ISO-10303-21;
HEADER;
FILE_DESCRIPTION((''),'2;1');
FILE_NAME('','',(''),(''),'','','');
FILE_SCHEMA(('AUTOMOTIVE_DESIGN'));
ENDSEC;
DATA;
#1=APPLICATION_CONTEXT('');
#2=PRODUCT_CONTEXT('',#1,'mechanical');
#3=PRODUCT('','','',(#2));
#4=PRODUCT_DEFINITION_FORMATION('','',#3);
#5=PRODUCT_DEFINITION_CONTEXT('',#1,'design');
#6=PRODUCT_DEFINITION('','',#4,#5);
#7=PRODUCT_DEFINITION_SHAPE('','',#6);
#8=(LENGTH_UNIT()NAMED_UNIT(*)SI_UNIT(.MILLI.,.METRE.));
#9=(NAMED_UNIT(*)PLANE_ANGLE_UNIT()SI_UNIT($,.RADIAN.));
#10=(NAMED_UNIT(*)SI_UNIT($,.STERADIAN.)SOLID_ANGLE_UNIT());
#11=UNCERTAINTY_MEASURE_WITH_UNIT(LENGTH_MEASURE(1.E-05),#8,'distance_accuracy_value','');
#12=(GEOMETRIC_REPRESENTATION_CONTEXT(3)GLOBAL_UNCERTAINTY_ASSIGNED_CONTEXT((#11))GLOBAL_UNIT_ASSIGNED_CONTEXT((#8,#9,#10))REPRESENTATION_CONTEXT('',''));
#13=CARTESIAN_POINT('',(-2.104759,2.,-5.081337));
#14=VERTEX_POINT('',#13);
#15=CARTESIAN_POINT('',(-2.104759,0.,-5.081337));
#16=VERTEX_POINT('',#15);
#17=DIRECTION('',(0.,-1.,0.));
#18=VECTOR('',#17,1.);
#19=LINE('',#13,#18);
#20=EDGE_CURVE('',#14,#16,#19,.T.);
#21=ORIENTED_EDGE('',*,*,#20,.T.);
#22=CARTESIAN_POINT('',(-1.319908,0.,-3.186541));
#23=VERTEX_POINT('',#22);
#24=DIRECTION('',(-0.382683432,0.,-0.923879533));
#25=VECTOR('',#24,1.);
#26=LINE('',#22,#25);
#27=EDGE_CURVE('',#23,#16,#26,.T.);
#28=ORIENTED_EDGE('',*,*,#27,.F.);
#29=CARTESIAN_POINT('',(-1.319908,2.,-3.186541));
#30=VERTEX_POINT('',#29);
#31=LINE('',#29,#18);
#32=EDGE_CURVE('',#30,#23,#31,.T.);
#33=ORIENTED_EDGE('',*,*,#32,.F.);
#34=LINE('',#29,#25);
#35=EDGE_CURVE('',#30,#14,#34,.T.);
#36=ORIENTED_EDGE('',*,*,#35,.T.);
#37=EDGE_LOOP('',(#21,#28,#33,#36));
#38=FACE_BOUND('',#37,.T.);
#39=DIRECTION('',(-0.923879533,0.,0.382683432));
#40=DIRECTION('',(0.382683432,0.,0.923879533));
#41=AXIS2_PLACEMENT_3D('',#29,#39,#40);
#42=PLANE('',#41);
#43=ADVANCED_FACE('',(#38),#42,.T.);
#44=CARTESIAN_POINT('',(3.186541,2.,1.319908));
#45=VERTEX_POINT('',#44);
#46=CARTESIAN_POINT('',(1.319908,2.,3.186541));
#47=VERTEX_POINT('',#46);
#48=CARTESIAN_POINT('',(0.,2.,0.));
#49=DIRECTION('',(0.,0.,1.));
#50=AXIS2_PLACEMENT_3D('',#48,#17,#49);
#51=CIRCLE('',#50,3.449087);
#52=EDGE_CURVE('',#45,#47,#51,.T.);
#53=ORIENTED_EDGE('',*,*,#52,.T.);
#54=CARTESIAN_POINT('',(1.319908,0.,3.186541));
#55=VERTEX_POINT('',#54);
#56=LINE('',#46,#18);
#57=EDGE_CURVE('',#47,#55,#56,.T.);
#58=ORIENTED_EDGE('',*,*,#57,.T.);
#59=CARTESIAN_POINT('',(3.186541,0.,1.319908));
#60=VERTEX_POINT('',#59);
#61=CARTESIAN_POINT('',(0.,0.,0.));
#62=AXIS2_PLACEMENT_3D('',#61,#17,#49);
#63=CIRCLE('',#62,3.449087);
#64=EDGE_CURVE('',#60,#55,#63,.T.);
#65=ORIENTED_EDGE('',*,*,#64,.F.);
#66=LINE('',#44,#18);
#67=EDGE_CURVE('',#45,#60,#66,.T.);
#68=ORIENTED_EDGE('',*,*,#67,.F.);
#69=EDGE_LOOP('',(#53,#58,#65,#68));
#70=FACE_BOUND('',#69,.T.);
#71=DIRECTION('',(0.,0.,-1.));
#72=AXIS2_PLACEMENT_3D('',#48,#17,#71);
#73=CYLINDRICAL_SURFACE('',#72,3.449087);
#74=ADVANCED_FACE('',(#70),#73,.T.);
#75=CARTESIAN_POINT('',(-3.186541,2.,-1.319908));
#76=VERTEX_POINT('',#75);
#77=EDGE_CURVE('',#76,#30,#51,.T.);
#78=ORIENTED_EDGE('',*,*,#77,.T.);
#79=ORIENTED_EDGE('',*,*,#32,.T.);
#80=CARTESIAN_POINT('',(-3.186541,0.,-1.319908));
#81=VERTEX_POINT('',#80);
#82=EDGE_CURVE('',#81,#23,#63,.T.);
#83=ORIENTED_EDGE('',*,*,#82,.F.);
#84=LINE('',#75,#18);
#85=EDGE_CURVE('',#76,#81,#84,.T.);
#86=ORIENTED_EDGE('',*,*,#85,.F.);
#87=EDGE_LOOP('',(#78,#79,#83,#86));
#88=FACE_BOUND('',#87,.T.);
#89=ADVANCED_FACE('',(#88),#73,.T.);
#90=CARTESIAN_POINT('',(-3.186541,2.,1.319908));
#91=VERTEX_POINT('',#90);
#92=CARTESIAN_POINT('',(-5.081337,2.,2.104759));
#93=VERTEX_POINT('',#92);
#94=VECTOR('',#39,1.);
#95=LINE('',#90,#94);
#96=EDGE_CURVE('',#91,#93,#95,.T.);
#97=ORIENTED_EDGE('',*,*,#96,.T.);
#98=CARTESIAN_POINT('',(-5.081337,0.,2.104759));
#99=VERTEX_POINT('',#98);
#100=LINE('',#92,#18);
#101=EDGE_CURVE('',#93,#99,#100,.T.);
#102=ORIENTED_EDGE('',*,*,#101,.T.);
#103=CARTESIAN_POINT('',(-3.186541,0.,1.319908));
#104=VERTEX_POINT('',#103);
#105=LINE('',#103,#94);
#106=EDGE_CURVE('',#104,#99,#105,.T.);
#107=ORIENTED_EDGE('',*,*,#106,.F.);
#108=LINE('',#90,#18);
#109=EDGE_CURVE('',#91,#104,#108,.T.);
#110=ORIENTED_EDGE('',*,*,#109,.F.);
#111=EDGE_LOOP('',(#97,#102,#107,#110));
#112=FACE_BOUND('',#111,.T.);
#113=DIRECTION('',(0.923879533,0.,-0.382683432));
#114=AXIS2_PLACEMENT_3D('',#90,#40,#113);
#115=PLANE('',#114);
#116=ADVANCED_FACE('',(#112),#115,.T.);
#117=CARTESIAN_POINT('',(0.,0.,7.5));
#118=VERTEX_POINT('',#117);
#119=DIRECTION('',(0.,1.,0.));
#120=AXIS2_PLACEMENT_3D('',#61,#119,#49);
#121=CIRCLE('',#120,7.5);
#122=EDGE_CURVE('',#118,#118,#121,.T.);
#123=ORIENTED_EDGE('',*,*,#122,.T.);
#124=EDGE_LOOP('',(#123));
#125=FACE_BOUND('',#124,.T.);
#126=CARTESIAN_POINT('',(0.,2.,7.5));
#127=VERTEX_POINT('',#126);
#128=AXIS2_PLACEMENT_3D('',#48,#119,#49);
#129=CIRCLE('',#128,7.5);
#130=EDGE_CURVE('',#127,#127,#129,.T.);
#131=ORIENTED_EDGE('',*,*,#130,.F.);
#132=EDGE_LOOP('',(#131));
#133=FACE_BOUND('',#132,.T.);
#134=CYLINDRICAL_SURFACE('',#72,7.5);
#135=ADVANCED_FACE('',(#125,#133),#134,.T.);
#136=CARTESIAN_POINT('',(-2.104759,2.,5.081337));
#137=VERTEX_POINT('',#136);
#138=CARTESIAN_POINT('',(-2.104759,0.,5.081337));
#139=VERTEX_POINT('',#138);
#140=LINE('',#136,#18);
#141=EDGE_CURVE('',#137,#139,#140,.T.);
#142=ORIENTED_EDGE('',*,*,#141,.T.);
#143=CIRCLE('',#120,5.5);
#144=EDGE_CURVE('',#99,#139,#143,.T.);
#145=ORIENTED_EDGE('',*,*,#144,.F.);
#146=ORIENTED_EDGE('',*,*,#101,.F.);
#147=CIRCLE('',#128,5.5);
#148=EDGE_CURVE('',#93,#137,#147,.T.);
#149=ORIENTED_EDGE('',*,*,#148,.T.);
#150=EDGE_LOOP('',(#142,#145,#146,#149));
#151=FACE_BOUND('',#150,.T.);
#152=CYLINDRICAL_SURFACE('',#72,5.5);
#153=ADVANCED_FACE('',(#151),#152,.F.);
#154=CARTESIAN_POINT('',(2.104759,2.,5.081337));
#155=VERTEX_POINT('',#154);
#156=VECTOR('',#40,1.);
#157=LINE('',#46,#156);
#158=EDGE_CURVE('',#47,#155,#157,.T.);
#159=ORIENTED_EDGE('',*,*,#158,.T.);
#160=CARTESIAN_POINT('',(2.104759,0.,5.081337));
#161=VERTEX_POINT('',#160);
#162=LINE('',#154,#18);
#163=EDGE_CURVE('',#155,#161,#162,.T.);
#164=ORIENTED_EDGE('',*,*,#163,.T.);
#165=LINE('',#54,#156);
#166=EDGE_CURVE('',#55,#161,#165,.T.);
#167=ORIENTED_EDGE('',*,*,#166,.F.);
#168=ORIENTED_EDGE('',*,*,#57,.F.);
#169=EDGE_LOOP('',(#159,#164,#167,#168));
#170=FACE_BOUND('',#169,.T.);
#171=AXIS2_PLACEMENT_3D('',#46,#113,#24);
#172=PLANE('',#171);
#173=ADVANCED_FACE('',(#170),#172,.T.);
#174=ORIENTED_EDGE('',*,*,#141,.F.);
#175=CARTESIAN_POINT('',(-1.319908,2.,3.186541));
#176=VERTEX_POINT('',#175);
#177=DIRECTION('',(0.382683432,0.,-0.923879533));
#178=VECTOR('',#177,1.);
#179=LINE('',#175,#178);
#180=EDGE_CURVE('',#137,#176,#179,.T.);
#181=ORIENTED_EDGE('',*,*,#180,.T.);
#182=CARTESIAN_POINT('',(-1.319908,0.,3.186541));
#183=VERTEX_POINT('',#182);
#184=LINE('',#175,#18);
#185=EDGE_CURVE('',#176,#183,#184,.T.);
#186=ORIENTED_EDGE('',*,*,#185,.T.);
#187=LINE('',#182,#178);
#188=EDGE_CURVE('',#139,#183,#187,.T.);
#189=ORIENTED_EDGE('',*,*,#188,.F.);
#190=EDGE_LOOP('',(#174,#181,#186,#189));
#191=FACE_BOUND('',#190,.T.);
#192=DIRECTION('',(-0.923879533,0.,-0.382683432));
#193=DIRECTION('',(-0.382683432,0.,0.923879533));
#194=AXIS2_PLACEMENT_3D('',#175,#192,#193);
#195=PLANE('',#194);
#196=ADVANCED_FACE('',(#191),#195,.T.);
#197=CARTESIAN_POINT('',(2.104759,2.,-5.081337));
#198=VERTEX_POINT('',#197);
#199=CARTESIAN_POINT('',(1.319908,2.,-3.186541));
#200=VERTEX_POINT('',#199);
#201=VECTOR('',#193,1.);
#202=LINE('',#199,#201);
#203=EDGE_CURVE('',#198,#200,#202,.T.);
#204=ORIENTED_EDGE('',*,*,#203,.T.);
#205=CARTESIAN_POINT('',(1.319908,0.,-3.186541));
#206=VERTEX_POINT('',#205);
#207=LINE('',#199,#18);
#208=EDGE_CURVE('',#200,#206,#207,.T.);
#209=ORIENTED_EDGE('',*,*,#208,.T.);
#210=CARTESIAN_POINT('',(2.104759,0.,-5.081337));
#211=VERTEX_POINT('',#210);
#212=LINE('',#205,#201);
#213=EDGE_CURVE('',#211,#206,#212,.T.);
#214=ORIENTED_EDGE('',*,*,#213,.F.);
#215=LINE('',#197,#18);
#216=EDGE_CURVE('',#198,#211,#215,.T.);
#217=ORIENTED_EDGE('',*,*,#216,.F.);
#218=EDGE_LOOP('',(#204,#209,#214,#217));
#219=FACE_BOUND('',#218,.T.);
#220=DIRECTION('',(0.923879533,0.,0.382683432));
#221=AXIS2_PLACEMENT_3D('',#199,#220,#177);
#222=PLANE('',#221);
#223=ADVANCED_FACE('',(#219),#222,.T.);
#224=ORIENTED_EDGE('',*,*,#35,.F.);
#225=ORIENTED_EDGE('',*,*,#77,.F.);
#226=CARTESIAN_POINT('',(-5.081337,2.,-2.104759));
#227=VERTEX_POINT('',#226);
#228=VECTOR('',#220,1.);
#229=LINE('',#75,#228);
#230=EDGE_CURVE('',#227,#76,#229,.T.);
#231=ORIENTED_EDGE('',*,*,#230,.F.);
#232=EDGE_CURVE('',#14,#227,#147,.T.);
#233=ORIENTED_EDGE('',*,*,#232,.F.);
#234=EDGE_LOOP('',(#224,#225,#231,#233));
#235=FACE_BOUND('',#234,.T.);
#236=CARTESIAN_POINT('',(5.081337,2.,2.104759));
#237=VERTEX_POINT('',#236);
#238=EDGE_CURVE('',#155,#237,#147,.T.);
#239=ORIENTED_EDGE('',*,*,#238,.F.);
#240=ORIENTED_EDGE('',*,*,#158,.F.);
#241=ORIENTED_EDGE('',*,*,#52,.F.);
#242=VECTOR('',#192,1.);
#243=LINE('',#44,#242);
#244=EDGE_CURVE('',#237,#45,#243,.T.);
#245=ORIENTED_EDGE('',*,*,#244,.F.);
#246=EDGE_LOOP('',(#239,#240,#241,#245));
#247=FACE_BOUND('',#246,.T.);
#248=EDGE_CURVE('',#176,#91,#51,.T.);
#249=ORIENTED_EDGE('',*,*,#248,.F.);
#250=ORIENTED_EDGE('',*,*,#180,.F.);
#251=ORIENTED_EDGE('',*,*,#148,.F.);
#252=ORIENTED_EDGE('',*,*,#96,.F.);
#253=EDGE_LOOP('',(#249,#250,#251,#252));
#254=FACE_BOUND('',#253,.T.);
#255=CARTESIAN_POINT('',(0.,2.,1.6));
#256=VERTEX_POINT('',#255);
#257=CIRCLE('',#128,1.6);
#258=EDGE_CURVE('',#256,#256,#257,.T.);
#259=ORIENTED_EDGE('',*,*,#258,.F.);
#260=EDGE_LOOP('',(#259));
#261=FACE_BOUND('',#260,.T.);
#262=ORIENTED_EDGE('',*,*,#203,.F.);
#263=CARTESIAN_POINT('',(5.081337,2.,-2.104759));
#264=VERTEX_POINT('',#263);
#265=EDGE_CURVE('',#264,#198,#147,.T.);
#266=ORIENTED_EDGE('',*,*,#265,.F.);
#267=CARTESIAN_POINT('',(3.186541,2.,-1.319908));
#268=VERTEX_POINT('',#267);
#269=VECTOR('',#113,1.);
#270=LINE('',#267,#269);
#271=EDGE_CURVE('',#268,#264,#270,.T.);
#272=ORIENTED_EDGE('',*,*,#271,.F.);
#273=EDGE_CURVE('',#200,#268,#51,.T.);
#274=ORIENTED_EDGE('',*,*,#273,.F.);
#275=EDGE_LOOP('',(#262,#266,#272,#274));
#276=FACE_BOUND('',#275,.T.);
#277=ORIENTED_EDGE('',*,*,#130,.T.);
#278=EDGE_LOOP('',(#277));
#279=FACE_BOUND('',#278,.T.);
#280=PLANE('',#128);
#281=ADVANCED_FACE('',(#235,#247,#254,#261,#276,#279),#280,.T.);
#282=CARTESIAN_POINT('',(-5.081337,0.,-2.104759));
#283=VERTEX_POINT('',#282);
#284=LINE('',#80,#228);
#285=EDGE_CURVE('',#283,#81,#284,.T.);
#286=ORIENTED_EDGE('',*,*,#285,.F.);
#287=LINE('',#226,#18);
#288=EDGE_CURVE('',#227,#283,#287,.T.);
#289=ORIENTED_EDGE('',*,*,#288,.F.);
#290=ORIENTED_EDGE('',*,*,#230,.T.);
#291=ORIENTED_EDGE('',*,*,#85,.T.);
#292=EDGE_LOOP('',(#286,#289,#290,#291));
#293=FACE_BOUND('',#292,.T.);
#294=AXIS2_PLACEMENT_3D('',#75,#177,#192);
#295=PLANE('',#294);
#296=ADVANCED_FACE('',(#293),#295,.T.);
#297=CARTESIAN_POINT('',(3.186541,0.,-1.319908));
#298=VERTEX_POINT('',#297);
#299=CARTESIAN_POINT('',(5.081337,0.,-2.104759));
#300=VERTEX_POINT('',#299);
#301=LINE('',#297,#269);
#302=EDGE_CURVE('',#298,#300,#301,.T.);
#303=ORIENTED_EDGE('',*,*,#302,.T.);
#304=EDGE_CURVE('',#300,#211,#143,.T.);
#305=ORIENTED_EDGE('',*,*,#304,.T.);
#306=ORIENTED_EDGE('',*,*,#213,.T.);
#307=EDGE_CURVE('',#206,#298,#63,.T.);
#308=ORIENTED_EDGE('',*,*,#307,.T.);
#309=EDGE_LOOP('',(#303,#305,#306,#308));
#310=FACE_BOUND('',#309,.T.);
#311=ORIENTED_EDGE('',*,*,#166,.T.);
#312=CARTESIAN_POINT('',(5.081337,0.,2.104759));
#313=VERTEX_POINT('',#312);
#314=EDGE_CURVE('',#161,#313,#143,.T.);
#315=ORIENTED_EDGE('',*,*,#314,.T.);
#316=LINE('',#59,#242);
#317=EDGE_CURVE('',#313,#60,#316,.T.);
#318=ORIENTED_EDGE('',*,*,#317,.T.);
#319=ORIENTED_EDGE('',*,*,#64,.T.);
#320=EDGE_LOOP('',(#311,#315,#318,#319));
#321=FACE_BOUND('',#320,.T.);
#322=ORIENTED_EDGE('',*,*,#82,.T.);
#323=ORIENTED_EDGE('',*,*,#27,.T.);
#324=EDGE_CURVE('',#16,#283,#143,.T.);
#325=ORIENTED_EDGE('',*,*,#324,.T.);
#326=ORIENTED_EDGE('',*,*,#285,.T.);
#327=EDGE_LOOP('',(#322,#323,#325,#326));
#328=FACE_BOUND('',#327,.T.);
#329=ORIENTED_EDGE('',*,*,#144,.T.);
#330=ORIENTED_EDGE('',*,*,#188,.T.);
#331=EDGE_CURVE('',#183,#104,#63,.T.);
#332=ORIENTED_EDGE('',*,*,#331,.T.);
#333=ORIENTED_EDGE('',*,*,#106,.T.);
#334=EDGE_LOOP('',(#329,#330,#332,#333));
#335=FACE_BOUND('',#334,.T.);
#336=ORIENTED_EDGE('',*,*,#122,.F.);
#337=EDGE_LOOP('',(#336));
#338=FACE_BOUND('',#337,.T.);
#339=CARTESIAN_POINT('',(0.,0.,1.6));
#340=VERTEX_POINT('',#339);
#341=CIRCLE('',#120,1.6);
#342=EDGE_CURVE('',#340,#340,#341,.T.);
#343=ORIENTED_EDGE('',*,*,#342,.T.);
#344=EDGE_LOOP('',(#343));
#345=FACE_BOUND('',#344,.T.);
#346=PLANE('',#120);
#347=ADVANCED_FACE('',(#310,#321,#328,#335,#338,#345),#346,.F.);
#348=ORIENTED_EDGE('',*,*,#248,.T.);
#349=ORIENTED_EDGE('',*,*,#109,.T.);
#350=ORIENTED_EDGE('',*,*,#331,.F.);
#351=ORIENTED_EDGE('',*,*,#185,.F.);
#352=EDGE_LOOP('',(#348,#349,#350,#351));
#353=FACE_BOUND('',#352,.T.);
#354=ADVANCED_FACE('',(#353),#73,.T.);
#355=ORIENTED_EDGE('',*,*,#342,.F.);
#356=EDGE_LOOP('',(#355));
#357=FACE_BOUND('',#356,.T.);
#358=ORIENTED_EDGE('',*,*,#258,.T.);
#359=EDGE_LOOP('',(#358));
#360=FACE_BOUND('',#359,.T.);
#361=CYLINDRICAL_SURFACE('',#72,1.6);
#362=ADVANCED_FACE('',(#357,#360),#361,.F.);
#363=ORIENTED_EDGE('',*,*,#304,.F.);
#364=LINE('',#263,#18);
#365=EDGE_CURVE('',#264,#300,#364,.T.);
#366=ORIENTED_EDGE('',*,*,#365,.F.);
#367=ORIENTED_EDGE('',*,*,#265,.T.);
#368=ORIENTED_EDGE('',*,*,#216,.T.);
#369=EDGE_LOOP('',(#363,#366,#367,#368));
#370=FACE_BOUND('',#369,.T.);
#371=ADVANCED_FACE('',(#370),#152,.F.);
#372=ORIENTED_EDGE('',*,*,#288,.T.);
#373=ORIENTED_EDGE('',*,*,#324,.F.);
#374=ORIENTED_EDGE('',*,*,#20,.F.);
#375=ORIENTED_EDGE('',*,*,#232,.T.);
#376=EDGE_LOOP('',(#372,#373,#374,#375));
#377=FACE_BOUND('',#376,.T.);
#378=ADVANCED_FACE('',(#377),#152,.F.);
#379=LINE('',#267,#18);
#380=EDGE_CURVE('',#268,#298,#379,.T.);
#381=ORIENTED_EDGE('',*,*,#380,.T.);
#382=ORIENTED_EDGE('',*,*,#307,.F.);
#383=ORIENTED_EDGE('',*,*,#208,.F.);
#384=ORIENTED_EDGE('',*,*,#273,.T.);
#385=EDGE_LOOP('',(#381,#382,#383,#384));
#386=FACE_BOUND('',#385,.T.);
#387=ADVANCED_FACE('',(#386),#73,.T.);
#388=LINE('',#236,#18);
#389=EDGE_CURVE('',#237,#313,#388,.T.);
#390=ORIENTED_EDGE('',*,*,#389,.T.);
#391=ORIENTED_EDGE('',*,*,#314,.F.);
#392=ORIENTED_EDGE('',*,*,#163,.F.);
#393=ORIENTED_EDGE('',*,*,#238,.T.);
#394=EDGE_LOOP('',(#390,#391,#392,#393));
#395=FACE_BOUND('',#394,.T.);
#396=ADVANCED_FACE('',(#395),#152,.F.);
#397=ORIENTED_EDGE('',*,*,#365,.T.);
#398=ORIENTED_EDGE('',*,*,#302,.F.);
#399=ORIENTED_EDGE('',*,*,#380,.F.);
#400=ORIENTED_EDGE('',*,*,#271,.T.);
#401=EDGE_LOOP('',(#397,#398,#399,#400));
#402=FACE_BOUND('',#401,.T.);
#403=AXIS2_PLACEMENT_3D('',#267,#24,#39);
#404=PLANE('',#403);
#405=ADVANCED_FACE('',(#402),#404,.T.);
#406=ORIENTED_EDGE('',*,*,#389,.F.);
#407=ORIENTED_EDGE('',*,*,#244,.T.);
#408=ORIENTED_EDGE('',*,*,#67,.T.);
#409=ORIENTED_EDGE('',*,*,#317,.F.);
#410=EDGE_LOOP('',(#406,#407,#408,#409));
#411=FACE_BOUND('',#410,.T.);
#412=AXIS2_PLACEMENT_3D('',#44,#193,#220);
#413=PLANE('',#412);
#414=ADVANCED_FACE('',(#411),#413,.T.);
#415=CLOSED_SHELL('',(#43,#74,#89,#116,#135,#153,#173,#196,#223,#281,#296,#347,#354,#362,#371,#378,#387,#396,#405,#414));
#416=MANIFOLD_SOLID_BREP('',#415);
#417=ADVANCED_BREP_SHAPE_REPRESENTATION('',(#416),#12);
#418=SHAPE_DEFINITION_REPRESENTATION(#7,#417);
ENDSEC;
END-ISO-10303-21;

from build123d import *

# Parameters (mm, degrees)
SKETCH1_R           = 7.5
SKETCH1_R_2         = 1.6
BOSS_EXTRUDE1_DEPTH = 2


with BuildPart() as part:
    # Sketch1 → Boss-Extrude1 (new body)
    with BuildSketch(Plane(origin=(0, 0, 0), x_dir=(1, 0, 0), z_dir=(0, 1, 0))):
        with Locations(Location((0, 0, 0), (0, 0, 270))):
            Circle(SKETCH1_R)
        with Locations(Location((0, 0, 0), (0, 0, 270))):
            Circle(SKETCH1_R_2, mode=Mode.SUBTRACT)
        with BuildLine():
            Line((-1.319908308, 3.186540538), (-2.104758878, 5.081337429))
            ThreePointArc((-2.104758878, 5.081337429), (-3.889087297, 3.889087297), (-5.081337429, 2.104758878))
            Line((-5.081337429, 2.104758878), (-3.186540538, 1.319908308))
            ThreePointArc((-3.186540538, 1.319908308), (-2.438872541, 2.438872541), (-1.319908308, 3.186540538))
        make_face(mode=Mode.SUBTRACT)
        with BuildLine():
            Line((1.319908308, 3.186540538), (2.104758878, 5.081337429))
            ThreePointArc((2.104758878, 5.081337429), (3.889087297, 3.889087297), (5.081337429, 2.104758878))
            Line((5.081337429, 2.104758878), (3.186540538, 1.319908308))
            ThreePointArc((3.186540538, 1.319908308), (2.438872541, 2.438872541), (1.319908308, 3.186540538))
        make_face(mode=Mode.SUBTRACT)
        with BuildLine():
            Line((3.186540538, -1.319908308), (5.081337429, -2.104758878))
            ThreePointArc((5.081337429, -2.104758878), (3.889087297, -3.889087297), (2.104758878, -5.081337429))
            Line((2.104758878, -5.081337429), (1.319908308, -3.186540538))
            ThreePointArc((1.319908308, -3.186540538), (2.438872541, -2.438872541), (3.186540538, -1.319908308))
        make_face(mode=Mode.SUBTRACT)
        with BuildLine():
            Line((-1.319908308, -3.186540538), (-2.104758878, -5.081337429))
            ThreePointArc((-2.104758878, -5.081337429), (-3.889087297, -3.889087297), (-5.081337429, -2.104758878))
            Line((-5.081337429, -2.104758878), (-3.186540538, -1.319908308))
            ThreePointArc((-3.186540538, -1.319908308), (-2.438872541, -2.438872541), (-1.319908308, -3.186540538))
        make_face(mode=Mode.SUBTRACT)
    extrude(amount=BOSS_EXTRUDE1_DEPTH)


solid = part.part
